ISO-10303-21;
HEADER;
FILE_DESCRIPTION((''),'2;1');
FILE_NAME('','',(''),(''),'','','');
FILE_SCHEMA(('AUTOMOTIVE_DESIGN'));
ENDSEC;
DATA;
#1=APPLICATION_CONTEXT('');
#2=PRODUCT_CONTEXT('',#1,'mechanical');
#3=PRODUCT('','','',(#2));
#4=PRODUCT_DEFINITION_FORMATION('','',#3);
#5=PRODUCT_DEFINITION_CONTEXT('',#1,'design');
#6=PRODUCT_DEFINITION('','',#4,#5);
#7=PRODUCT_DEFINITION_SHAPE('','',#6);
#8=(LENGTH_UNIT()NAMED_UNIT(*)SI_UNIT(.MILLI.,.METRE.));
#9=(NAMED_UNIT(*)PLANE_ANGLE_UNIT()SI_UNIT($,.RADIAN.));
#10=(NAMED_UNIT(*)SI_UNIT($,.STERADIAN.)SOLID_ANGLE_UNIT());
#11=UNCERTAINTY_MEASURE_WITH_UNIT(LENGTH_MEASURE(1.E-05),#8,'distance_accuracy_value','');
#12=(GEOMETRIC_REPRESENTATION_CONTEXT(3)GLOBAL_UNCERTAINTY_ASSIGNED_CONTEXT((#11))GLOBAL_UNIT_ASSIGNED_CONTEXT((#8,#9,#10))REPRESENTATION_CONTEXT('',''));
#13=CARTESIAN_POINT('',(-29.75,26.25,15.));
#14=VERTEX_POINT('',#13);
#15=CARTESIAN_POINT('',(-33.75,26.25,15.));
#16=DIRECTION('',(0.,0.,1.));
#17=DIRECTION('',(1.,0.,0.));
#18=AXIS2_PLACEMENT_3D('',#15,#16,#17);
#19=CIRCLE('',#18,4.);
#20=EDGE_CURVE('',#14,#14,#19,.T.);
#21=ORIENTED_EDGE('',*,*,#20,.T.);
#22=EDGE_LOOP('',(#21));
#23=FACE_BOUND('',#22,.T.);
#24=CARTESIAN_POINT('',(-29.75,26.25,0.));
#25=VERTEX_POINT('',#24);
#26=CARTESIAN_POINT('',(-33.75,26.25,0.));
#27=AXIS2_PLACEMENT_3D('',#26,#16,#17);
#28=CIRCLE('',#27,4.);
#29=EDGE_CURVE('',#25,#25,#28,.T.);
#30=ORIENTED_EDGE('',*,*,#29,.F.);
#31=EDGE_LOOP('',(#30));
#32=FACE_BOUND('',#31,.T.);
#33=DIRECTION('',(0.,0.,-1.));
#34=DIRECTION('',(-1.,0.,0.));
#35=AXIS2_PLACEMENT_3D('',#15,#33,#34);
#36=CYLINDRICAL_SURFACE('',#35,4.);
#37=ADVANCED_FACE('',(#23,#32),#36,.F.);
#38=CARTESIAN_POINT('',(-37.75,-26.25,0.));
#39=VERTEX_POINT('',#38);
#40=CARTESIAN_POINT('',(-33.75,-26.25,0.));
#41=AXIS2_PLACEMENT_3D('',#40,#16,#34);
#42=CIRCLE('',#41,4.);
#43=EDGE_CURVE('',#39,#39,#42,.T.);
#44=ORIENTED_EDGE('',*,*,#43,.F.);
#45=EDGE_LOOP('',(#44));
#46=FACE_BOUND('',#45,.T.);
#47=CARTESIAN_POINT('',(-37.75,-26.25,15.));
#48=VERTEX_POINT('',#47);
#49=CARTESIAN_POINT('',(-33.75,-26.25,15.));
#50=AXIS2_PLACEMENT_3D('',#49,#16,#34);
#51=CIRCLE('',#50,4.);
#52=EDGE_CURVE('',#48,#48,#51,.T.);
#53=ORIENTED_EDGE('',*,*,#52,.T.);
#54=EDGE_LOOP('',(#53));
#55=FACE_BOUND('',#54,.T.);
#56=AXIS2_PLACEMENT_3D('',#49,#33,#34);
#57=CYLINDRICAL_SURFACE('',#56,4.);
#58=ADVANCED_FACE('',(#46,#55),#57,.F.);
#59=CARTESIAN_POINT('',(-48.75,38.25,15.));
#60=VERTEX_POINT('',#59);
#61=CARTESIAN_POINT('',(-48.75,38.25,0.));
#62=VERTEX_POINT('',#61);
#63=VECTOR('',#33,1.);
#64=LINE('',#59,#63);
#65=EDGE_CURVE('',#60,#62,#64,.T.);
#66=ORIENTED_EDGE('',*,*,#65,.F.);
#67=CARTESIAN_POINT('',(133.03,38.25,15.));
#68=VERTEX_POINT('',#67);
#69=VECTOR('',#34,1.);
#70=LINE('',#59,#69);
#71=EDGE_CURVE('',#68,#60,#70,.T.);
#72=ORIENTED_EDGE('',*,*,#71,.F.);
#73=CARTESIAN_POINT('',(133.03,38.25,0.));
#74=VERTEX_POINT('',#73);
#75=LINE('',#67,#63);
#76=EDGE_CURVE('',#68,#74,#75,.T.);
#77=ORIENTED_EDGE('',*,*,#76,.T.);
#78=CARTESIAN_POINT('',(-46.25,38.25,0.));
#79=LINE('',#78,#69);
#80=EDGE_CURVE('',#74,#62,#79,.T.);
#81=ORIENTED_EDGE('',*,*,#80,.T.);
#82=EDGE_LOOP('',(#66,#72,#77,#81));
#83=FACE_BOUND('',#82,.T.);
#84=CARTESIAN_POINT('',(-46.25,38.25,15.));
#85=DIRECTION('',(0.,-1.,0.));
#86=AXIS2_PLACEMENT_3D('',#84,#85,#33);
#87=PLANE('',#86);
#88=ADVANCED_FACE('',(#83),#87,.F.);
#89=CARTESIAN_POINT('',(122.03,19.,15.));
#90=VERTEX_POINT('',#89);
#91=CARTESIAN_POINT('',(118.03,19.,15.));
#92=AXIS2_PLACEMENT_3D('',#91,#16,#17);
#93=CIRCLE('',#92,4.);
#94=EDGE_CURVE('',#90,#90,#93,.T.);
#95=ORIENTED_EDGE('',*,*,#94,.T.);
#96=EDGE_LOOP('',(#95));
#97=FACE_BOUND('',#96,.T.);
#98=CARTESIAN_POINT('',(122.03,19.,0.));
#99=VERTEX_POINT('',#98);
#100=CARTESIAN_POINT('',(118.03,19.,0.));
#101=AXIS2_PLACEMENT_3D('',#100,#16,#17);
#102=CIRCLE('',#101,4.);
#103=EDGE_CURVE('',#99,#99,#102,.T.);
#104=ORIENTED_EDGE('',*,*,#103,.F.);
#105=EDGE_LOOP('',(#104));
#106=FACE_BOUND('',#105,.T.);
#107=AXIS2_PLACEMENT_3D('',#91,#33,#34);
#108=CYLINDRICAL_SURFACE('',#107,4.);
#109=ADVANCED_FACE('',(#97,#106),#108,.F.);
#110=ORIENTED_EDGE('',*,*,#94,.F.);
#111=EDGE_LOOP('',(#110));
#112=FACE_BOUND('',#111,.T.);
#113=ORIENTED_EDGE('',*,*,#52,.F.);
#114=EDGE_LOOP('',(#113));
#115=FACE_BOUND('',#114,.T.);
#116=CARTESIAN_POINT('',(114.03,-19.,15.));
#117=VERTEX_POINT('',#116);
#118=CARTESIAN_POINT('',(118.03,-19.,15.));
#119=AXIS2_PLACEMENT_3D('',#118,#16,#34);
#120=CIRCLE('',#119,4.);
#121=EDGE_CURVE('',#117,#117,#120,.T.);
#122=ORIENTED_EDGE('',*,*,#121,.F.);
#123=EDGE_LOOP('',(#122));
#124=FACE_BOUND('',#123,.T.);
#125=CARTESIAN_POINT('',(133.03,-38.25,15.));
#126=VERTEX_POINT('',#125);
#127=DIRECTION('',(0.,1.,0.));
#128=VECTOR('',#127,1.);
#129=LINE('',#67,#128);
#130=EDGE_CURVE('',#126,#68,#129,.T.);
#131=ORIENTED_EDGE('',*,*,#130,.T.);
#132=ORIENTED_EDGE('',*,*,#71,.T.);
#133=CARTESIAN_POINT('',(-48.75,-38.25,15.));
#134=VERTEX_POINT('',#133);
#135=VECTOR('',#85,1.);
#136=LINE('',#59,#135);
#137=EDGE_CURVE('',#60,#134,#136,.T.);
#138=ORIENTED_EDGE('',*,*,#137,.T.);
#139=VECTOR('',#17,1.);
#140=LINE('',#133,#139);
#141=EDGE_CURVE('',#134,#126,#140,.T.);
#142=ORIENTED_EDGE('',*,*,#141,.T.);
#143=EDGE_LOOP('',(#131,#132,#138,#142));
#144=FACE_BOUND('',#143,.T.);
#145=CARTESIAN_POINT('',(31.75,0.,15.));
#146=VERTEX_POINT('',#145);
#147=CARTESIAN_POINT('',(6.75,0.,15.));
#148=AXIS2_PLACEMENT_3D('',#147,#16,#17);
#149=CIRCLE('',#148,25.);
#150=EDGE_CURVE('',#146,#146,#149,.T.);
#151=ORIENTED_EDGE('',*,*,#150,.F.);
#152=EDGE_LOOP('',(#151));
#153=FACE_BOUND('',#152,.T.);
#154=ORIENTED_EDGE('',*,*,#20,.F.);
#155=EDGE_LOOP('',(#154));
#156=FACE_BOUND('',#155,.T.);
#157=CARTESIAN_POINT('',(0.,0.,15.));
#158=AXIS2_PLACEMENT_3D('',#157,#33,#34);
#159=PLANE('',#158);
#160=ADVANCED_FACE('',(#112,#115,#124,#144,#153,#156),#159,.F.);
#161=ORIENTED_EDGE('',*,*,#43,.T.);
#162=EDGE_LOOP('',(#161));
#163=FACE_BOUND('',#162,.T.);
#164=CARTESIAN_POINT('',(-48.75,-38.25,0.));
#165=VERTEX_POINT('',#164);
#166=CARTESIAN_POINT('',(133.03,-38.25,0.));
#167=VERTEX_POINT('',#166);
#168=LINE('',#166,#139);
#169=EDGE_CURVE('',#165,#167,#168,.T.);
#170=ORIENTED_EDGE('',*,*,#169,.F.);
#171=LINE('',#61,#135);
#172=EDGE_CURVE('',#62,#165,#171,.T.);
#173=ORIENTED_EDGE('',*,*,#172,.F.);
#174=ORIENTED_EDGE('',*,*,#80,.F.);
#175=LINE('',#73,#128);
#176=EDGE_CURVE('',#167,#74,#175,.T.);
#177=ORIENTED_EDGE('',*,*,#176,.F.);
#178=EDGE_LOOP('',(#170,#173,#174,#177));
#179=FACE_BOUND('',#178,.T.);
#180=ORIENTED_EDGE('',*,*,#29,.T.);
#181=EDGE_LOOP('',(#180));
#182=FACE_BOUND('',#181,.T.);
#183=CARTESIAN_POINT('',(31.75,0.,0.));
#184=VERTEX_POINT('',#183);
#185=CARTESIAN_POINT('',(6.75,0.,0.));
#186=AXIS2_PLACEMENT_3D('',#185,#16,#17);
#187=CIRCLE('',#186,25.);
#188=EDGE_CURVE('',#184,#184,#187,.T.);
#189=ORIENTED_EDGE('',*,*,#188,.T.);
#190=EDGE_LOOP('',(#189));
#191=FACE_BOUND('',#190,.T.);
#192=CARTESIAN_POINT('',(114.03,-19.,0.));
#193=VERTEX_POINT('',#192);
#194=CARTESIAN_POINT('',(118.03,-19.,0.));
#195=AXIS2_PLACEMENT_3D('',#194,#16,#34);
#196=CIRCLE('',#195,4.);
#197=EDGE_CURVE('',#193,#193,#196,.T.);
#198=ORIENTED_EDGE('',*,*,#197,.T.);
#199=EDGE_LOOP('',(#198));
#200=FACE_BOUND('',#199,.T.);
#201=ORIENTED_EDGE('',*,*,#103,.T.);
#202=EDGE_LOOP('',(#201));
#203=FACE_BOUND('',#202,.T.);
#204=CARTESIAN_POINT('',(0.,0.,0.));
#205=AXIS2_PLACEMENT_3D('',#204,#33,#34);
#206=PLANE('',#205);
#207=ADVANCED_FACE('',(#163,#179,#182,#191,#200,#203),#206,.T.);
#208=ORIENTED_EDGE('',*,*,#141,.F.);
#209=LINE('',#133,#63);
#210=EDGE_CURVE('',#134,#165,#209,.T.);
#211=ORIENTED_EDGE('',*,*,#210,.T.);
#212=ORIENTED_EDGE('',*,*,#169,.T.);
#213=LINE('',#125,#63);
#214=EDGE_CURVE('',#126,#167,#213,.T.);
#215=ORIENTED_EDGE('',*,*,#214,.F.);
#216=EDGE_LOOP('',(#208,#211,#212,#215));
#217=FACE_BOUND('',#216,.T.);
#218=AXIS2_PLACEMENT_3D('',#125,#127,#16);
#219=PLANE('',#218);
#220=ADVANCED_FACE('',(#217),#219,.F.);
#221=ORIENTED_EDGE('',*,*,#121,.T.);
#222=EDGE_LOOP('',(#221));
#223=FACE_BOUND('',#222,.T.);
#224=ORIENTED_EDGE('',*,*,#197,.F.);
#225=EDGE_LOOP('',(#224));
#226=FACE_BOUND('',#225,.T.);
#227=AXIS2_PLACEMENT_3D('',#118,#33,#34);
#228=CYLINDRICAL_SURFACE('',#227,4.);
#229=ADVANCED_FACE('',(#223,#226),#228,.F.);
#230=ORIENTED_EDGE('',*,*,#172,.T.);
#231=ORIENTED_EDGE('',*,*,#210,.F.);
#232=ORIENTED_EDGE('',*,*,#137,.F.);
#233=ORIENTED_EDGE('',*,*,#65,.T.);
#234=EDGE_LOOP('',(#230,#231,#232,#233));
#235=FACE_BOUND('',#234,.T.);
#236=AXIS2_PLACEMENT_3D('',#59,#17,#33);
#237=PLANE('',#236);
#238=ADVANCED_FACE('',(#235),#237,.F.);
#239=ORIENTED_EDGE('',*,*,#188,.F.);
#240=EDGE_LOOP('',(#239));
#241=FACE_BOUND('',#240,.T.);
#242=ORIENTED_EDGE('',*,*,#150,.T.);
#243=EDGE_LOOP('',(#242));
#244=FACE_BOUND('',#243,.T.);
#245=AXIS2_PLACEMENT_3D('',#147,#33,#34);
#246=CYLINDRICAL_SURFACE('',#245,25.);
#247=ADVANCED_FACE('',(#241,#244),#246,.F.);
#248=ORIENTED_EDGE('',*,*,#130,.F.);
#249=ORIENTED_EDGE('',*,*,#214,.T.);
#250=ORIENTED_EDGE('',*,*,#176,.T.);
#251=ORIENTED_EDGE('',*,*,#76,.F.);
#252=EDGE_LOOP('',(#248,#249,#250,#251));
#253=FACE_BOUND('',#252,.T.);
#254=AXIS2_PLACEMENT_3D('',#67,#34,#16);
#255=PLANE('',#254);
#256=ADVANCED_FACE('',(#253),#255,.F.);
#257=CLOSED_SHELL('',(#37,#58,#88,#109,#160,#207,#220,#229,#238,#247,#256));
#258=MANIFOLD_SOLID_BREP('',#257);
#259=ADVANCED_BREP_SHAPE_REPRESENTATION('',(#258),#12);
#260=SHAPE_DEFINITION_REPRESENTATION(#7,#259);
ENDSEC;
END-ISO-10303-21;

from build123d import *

# Parameters (mm, degrees)
SKETCH_1_R      = 4
SKETCH_1_R_2    = 25
EXTRUDE_1_DEPTH = 15


with BuildPart() as part:
    # 草图1 → 凸台-拉伸1 (new body)
    with BuildSketch(Plane.XY):
        Polygon((-46.25, 38.25), (-21.25, 38.25), (130.53, 38.25), (133.03, 38.25), (133.03, -38.25), (130.53, -38.25), (-21.25, -38.25), (-46.25, -38.25), (-48.75, -38.25), (-48.75, 38.25), align=None)
        with Locations((-33.75, 26.25)):
            Circle(SKETCH_1_R, mode=Mode.SUBTRACT)
        with Locations(Location((-33.75, -26.25, 0), (0, 0, 180))):
            Circle(SKETCH_1_R, mode=Mode.SUBTRACT)
        with Locations((118.03, 19)):
            Circle(SKETCH_1_R, mode=Mode.SUBTRACT)
        with Locations(Location((118.03, -19, 0), (0, 0, 180))):
            Circle(SKETCH_1_R, mode=Mode.SUBTRACT)
        with Locations((6.75, 0)):
            Circle(SKETCH_1_R_2, mode=Mode.SUBTRACT)
    extrude(amount=EXTRUDE_1_DEPTH)


solid = part.part
